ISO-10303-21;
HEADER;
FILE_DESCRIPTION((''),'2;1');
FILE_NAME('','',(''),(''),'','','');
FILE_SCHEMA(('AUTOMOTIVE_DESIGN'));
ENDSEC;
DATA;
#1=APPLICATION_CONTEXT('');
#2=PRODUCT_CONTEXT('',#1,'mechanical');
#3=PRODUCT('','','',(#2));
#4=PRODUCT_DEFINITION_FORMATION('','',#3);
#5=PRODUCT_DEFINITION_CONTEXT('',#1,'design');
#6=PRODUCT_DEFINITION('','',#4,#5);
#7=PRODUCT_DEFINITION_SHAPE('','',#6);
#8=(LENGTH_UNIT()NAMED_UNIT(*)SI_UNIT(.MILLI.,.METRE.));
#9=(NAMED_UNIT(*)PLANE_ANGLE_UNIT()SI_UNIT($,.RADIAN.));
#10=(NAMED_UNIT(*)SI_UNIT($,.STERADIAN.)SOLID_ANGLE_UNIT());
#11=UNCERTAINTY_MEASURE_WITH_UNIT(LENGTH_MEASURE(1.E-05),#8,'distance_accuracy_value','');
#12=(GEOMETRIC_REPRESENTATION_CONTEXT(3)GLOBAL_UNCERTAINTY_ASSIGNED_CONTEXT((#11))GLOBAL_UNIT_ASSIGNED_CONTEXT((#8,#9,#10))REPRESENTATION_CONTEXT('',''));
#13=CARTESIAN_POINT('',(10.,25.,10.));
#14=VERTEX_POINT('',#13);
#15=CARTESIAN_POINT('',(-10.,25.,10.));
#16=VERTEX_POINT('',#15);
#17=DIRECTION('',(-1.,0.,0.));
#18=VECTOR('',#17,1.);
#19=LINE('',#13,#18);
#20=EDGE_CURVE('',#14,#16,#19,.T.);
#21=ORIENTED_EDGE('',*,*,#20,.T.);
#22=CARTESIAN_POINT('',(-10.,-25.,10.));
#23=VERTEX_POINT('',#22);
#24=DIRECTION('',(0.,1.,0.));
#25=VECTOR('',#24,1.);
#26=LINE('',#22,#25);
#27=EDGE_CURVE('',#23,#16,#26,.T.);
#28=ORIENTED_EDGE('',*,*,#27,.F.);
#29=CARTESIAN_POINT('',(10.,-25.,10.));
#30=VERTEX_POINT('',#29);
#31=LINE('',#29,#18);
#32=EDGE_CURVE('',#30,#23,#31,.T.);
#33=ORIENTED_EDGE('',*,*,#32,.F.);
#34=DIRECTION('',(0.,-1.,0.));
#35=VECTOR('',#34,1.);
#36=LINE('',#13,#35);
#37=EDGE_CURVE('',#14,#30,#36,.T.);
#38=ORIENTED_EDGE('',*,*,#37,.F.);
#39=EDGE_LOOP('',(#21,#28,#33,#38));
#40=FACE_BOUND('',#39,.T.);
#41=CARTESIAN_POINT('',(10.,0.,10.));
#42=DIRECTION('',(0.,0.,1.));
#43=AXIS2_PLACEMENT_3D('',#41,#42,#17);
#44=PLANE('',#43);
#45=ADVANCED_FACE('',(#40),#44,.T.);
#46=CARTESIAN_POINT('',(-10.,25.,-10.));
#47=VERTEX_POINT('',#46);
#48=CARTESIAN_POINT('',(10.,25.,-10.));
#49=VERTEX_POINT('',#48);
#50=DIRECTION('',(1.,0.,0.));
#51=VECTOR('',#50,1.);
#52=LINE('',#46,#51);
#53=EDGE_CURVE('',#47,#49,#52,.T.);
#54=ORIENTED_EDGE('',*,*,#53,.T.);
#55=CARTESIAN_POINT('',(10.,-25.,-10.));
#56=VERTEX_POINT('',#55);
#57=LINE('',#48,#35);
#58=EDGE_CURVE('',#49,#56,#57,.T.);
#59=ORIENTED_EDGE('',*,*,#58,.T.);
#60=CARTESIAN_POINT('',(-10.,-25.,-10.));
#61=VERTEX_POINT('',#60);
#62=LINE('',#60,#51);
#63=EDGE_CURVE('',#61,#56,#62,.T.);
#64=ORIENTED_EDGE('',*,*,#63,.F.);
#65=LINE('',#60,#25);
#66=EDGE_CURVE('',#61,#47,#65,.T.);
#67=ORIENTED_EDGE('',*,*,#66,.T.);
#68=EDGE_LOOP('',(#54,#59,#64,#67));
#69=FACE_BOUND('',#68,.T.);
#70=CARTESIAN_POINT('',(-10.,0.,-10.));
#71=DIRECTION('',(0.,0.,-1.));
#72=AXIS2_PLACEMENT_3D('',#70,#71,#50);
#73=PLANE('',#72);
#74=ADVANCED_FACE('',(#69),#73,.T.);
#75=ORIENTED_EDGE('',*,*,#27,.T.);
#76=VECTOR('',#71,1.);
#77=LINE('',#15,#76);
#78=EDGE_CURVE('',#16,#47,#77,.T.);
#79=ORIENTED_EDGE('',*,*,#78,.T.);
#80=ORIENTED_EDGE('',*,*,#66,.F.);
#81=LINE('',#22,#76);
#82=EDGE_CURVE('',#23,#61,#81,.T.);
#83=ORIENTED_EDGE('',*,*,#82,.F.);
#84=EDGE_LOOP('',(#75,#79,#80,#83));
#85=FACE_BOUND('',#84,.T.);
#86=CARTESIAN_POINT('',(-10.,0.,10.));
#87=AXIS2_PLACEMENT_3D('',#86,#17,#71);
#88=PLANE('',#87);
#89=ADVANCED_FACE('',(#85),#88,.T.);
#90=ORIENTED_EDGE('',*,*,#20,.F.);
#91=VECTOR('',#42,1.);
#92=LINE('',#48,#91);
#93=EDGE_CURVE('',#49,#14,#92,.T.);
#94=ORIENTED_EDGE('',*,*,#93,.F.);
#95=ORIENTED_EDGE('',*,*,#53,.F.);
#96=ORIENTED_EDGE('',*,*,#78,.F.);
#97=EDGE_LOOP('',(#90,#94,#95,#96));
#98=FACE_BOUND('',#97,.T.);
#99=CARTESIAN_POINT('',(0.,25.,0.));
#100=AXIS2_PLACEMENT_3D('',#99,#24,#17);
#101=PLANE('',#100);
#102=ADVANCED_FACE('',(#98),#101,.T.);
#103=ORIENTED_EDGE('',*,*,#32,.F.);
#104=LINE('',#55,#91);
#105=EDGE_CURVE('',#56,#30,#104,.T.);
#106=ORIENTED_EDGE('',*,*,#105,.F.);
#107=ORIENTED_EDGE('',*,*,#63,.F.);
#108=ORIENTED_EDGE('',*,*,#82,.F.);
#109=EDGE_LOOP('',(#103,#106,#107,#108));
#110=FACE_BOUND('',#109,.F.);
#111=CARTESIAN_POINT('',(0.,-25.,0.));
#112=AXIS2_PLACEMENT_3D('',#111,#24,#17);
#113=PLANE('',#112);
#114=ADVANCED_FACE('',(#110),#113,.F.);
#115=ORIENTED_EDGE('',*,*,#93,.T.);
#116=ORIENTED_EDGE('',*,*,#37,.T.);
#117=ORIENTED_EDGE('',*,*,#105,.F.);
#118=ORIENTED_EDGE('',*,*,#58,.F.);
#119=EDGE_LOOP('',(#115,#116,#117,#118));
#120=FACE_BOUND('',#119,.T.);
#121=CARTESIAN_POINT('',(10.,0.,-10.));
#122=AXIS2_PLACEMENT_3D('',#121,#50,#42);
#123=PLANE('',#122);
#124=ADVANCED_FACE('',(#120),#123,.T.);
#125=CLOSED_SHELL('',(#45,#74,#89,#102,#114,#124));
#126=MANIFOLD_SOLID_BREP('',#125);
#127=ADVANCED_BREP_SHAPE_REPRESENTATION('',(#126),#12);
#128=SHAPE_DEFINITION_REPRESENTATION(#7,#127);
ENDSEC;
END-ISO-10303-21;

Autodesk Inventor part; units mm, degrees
ref_plane "YZ Plane" through (0, 0, 0) normal (1, 0, 0) x (0, 1, 0)
ref_plane "XZ Plane" through (0, 0, 0) normal (0, 1, 0) x (-1, 0, 0)
ref_plane "XY Plane" through (0, 0, 0) normal (0, 0, 1) x (1, 0, 0)
sketch "Szkic1" plane through (0, 0, 0) normal (0, 1, 0) x (-1, 0, 0)
  line L0 (10, -10) -> (-10, -10)
  line L1 (-10, -10) -> (-10, 10)
  line L2 (-10, 10) -> (10, 10)
  line L3 (10, 10) -> (10, -10)
  line L4 (10, -10) -> (-10, 10) construction
  line L5 (-10, -10) -> (10, 10) construction
  point P0 (0, 0)
  dimension "d0" = 20
  dimension "d1" = 20
extrude "Wyciągnięcie proste1" add sketch "Szkic1" along normal mid plane 50
properties part number "listwa20x20x50"
